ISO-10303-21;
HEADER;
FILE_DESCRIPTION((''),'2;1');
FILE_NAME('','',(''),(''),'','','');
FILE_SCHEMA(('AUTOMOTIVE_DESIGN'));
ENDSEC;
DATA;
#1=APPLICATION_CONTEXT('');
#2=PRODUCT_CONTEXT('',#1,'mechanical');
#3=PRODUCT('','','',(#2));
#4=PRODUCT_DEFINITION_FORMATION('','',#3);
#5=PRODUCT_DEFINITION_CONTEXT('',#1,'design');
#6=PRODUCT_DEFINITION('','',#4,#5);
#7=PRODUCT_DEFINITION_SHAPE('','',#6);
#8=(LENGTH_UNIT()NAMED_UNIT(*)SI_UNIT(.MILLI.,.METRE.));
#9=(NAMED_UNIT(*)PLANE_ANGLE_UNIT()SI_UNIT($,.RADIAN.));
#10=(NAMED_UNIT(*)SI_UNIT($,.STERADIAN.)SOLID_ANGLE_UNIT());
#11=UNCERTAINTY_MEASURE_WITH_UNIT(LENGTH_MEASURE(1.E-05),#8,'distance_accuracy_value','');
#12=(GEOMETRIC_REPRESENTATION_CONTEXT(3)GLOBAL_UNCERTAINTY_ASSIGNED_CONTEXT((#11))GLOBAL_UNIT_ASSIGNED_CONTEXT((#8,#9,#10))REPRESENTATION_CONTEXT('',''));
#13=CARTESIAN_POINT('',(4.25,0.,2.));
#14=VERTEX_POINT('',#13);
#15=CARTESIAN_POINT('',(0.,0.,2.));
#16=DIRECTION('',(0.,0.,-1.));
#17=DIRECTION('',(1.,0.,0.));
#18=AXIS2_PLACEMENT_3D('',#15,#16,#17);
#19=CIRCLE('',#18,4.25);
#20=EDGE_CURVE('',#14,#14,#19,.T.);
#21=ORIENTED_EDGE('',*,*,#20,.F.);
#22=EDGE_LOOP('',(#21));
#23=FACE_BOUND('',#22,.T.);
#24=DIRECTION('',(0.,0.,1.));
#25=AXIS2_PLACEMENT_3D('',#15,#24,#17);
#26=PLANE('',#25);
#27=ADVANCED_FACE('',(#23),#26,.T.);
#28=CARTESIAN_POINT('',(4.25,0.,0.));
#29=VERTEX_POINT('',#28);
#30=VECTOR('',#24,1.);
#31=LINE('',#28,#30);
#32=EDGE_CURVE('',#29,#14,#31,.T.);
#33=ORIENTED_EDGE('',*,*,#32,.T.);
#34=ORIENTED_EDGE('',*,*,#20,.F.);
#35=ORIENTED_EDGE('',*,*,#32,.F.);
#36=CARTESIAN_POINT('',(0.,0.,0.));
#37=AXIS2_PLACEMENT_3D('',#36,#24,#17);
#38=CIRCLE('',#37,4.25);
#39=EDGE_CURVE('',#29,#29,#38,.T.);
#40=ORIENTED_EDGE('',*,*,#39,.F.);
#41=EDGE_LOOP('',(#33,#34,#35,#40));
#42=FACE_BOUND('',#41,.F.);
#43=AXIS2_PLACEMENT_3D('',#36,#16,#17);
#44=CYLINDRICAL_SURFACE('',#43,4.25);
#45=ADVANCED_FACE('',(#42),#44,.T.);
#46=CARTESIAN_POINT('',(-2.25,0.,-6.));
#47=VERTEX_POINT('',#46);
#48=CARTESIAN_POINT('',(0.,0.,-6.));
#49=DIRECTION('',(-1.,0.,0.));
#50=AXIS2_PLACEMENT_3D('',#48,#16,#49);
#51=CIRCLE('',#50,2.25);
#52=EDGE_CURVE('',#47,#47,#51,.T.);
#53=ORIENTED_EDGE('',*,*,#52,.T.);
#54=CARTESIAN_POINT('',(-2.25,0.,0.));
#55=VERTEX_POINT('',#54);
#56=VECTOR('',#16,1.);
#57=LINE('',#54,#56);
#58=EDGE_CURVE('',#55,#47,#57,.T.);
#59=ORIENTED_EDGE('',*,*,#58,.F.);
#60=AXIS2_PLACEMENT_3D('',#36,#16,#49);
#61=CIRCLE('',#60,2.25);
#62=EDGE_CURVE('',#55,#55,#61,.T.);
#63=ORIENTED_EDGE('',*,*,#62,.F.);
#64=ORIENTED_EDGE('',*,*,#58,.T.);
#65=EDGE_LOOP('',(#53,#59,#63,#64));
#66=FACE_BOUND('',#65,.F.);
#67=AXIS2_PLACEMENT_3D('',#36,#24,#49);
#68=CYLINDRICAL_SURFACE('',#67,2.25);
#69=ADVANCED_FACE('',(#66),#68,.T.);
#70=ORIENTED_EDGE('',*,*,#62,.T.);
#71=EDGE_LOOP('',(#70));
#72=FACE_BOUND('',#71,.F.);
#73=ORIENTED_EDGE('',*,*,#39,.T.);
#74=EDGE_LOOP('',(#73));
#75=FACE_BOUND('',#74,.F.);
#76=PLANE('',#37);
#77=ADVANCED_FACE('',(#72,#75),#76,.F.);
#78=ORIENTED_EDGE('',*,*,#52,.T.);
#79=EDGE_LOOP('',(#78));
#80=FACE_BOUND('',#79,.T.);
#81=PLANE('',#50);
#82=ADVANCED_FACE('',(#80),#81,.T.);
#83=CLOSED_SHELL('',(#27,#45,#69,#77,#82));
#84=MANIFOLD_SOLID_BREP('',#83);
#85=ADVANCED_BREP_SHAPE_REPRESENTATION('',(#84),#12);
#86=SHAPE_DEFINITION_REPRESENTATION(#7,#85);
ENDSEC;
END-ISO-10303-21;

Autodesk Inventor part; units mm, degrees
ref_plane "YZ Plane" through (0, 0, 0) normal (1, 0, 0) x (0, 1, 0)
ref_plane "XZ Plane" through (0, 0, 0) normal (0, 1, 0) x (-1, 0, 0)
ref_plane "XY Plane" through (0, 0, 0) normal (0, 0, 1) x (1, 0, 0)
sketch "Sketch1" plane through (0, 0, 0) normal (0, 0, 1) x (1, 0, 0)
  circle A0 centre (0, 0) radius 4.25
  dimension "d0" = 8.5
extrude "Extrusion1" add sketch "Sketch1" along normal blind 2
sketch "Sketch2" plane through (0, 0, 0) normal (0, 0, -1) x (-1, 0, 0)
  circle A0 centre (0, 0) radius 2.25
  dimension "d3" = 4.5
extrude "Extrusion2" add sketch "Sketch2" along normal blind 6
thread "Thread1" size "M3x0.5" class "6g" standard "ANSI Metric M Profile" length 6
sketch "Sketch3" plane through (0, 0, 2) normal (0, 0, 1) x (1, 0, 0)
  circle A0 centre (0, 0) radius 2.25 projected
  circle A1 centre (0, 0) radius 4.25 projected
  line L0 (-4.25, 0) -> (-2.125, 3.6806)
  line L1 (-2.125, 3.6806) -> (2.125, 3.6806)
  line L2 (2.125, 3.6806) -> (4.25, 0)
  line L3 (4.25, 0) -> (2.125, -3.6806)
  line L4 (2.125, -3.6806) -> (-2.125, -3.6806)
  line L5 (-2.125, -3.6806) -> (-4.25, 0)
extrude "Extrusion3" add sketch "Sketch3" against normal blind 2 contours L2 A1 | A1 L3 | L1 A1 | A1 L4 | L0 A1 | A1 L5
properties part number "vida"
